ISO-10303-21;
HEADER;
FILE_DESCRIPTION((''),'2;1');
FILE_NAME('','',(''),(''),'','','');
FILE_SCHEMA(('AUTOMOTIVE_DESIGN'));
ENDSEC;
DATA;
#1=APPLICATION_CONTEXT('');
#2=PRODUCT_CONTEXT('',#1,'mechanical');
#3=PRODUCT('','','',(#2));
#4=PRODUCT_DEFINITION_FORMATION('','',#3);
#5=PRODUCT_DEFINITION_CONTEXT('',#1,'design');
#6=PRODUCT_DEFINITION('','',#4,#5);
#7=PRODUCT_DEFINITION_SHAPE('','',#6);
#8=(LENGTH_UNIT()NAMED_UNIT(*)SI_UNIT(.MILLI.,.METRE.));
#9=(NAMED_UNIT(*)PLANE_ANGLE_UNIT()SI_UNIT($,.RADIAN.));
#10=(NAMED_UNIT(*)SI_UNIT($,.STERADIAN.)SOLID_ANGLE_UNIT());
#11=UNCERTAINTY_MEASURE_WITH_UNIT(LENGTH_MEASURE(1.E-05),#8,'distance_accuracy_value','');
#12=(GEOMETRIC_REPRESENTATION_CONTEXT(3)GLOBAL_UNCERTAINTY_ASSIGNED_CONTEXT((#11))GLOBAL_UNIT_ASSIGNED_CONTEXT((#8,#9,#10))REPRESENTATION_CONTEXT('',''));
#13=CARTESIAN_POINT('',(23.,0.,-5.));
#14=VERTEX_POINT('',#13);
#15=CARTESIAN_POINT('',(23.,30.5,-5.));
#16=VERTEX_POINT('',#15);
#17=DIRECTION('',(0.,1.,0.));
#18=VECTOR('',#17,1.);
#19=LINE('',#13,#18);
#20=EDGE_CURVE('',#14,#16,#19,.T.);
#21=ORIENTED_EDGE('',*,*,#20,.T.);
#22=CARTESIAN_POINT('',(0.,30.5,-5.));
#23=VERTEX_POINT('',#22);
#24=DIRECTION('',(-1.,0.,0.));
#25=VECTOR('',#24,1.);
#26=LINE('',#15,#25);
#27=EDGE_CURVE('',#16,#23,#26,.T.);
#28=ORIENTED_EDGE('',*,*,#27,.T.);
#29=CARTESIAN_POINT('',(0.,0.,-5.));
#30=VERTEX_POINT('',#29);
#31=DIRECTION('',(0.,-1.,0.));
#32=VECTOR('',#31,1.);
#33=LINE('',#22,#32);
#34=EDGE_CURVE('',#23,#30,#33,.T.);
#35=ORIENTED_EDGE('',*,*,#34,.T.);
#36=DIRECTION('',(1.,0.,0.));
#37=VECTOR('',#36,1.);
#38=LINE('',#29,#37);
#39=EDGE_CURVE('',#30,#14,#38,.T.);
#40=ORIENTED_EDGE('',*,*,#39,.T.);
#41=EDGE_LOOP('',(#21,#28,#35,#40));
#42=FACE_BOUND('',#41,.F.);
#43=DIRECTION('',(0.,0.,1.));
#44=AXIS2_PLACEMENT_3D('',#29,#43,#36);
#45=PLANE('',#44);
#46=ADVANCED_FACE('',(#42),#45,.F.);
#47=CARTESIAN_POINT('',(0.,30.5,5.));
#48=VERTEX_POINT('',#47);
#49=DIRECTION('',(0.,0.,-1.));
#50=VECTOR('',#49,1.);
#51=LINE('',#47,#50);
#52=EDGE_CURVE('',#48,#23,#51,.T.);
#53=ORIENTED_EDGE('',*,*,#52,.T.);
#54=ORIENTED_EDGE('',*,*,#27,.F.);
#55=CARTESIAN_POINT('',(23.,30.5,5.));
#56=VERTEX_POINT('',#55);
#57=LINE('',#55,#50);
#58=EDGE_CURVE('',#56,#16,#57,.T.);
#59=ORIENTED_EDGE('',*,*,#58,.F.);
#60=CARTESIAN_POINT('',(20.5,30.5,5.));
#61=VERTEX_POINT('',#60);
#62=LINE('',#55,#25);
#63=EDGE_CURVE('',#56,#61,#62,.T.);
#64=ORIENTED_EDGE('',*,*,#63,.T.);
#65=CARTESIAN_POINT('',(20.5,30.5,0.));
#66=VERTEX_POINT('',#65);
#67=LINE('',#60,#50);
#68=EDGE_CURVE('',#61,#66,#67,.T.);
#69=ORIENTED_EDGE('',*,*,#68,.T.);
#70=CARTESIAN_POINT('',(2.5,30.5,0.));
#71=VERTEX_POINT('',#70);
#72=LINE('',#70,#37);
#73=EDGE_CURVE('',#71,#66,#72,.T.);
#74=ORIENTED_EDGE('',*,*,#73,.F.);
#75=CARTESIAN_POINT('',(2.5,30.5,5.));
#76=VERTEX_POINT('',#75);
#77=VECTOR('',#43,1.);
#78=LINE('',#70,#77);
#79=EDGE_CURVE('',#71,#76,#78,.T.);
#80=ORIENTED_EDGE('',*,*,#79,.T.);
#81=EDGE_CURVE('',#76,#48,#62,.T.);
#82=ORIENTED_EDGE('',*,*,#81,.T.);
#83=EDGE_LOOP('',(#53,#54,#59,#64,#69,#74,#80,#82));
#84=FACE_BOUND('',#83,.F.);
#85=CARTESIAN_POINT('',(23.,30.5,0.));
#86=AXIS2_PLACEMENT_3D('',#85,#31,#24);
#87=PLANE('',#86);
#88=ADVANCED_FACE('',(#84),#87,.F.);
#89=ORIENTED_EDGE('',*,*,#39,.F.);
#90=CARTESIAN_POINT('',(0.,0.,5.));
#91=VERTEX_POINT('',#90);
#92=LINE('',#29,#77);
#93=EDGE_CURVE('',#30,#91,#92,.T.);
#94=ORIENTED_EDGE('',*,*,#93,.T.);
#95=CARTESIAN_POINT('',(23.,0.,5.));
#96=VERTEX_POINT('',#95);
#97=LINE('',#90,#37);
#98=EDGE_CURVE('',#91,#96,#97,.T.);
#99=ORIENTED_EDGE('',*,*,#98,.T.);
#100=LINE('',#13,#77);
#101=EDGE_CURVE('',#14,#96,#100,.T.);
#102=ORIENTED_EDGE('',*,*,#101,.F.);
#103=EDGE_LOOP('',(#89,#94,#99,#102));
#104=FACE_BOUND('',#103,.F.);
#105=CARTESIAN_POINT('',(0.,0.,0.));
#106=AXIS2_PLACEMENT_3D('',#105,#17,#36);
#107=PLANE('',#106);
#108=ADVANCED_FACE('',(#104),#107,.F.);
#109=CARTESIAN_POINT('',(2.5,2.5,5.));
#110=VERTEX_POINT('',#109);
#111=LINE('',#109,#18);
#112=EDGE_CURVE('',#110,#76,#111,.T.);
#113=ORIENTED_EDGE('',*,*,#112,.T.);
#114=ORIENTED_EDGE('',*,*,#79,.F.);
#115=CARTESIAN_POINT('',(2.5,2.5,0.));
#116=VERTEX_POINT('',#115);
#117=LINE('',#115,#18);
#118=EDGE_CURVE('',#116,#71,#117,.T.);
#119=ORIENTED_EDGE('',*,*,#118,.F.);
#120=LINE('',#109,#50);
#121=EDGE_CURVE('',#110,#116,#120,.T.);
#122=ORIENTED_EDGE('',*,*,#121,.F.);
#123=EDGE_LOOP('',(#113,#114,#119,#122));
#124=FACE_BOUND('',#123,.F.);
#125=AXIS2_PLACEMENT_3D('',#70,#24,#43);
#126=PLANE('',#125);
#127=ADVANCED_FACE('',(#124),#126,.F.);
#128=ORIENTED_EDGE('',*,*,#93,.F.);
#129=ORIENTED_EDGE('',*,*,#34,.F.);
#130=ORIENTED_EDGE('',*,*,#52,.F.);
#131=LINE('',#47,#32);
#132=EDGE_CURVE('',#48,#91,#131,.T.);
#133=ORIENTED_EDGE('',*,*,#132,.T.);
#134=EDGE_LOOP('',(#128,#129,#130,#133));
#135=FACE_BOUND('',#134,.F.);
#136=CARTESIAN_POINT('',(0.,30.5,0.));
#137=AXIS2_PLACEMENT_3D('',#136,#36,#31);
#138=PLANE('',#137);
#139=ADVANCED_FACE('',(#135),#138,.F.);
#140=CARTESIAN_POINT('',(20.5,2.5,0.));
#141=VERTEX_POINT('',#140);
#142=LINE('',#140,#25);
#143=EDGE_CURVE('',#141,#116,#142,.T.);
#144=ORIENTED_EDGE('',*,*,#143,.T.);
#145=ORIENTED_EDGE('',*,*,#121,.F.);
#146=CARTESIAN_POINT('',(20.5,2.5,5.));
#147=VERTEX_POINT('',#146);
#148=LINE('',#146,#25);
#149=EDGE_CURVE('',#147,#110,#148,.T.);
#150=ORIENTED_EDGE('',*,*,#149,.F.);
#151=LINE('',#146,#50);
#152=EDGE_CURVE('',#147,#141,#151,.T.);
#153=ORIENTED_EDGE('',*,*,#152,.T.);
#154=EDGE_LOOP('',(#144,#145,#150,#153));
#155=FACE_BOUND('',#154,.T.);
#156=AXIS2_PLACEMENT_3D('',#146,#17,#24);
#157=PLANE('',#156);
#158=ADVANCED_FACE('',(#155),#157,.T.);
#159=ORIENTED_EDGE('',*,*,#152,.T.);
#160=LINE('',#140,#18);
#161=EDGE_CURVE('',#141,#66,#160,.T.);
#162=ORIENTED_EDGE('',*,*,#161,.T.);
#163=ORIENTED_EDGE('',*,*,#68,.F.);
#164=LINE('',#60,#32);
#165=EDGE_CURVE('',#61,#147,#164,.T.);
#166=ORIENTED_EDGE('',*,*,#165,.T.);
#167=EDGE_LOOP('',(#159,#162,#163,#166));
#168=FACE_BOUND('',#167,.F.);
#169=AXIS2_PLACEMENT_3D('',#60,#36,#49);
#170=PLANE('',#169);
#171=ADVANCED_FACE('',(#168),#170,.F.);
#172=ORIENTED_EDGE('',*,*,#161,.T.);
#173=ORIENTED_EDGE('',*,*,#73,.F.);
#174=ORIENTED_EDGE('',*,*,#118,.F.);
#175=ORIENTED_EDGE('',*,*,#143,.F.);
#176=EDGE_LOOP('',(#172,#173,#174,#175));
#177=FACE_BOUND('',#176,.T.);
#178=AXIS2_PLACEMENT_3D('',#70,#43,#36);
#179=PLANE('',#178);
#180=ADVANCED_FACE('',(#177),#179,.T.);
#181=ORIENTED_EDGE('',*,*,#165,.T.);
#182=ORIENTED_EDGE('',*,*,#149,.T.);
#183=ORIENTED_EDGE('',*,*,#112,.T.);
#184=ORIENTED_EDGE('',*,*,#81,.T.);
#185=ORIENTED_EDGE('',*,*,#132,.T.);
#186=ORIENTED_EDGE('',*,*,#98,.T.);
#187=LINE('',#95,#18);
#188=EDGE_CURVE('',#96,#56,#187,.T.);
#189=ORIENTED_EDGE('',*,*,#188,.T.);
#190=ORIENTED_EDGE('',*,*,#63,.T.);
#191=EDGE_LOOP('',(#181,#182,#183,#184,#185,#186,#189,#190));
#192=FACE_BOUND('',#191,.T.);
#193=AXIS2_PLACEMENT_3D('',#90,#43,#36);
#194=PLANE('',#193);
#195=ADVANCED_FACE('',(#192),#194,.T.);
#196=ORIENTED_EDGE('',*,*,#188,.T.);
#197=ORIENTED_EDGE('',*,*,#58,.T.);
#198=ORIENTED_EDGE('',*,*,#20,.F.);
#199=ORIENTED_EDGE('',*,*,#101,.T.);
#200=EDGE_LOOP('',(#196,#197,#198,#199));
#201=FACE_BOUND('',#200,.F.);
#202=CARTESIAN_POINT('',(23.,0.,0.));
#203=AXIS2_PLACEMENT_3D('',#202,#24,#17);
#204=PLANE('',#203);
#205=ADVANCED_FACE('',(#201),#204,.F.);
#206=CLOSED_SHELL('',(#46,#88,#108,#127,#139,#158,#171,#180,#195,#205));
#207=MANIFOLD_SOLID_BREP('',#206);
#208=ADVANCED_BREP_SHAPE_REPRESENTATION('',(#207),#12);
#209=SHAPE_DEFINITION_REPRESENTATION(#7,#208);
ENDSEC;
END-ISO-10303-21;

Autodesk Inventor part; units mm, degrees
sketch "Skizze1" plane through (0, 0, 0) normal (0, 0, 1) x (1, 0, 0)
  line L0 (0, 0) -> (23, 0)
  line L1 (23, 0) -> (23, 30.5)
  line L2 (23, 30.5) -> (0, 30.5)
  line L3 (0, 30.5) -> (0, 0)
  dimension "d0" = 23
  dimension "d1" = 30.5
extrude "Extrusion1" add sketch "Skizze1" along normal mid plane 10
sketch "Skizze2" plane through (0, 0, 5) normal (0, 0, 1) x (1, 0, 0)
  line L0 (2.5, 28) -> (20.5, 28)
  line L1 (20.5, 28) -> (20.5, 2.5)
  line L2 (20.5, 2.5) -> (2.5, 2.5)
  line L3 (2.5, 2.5) -> (2.5, 28)
  point P0 (0, 0)
  dimension "d4" = 18
  dimension "d5" = 25.5
extrude "Extrusion2" cut sketch "Skizze2" against normal blind 5
sketch "Skizze3" plane through (0, 30.5, 5) normal (0, 1, 0) x (1, 0, 0)
  line L0 (23, 0) -> (0, 0) projected
  line L1 (2.5, 5) -> (20.5, 5) projected
  line L2 (2.5, 0) -> (20.5, 0)
  line L3 (20.5, 0) -> (20.5, 5)
  line L4 (20.5, 5) -> (2.5, 5)
  line L5 (2.5, 5) -> (2.5, 0)
  point P0 (0, 5)
  dimension "d8" = 18
  dimension "d9" = 5
extrude "Extrusion3" cut sketch "Skizze3" against normal blind 5
properties part number "espverkleidung"
